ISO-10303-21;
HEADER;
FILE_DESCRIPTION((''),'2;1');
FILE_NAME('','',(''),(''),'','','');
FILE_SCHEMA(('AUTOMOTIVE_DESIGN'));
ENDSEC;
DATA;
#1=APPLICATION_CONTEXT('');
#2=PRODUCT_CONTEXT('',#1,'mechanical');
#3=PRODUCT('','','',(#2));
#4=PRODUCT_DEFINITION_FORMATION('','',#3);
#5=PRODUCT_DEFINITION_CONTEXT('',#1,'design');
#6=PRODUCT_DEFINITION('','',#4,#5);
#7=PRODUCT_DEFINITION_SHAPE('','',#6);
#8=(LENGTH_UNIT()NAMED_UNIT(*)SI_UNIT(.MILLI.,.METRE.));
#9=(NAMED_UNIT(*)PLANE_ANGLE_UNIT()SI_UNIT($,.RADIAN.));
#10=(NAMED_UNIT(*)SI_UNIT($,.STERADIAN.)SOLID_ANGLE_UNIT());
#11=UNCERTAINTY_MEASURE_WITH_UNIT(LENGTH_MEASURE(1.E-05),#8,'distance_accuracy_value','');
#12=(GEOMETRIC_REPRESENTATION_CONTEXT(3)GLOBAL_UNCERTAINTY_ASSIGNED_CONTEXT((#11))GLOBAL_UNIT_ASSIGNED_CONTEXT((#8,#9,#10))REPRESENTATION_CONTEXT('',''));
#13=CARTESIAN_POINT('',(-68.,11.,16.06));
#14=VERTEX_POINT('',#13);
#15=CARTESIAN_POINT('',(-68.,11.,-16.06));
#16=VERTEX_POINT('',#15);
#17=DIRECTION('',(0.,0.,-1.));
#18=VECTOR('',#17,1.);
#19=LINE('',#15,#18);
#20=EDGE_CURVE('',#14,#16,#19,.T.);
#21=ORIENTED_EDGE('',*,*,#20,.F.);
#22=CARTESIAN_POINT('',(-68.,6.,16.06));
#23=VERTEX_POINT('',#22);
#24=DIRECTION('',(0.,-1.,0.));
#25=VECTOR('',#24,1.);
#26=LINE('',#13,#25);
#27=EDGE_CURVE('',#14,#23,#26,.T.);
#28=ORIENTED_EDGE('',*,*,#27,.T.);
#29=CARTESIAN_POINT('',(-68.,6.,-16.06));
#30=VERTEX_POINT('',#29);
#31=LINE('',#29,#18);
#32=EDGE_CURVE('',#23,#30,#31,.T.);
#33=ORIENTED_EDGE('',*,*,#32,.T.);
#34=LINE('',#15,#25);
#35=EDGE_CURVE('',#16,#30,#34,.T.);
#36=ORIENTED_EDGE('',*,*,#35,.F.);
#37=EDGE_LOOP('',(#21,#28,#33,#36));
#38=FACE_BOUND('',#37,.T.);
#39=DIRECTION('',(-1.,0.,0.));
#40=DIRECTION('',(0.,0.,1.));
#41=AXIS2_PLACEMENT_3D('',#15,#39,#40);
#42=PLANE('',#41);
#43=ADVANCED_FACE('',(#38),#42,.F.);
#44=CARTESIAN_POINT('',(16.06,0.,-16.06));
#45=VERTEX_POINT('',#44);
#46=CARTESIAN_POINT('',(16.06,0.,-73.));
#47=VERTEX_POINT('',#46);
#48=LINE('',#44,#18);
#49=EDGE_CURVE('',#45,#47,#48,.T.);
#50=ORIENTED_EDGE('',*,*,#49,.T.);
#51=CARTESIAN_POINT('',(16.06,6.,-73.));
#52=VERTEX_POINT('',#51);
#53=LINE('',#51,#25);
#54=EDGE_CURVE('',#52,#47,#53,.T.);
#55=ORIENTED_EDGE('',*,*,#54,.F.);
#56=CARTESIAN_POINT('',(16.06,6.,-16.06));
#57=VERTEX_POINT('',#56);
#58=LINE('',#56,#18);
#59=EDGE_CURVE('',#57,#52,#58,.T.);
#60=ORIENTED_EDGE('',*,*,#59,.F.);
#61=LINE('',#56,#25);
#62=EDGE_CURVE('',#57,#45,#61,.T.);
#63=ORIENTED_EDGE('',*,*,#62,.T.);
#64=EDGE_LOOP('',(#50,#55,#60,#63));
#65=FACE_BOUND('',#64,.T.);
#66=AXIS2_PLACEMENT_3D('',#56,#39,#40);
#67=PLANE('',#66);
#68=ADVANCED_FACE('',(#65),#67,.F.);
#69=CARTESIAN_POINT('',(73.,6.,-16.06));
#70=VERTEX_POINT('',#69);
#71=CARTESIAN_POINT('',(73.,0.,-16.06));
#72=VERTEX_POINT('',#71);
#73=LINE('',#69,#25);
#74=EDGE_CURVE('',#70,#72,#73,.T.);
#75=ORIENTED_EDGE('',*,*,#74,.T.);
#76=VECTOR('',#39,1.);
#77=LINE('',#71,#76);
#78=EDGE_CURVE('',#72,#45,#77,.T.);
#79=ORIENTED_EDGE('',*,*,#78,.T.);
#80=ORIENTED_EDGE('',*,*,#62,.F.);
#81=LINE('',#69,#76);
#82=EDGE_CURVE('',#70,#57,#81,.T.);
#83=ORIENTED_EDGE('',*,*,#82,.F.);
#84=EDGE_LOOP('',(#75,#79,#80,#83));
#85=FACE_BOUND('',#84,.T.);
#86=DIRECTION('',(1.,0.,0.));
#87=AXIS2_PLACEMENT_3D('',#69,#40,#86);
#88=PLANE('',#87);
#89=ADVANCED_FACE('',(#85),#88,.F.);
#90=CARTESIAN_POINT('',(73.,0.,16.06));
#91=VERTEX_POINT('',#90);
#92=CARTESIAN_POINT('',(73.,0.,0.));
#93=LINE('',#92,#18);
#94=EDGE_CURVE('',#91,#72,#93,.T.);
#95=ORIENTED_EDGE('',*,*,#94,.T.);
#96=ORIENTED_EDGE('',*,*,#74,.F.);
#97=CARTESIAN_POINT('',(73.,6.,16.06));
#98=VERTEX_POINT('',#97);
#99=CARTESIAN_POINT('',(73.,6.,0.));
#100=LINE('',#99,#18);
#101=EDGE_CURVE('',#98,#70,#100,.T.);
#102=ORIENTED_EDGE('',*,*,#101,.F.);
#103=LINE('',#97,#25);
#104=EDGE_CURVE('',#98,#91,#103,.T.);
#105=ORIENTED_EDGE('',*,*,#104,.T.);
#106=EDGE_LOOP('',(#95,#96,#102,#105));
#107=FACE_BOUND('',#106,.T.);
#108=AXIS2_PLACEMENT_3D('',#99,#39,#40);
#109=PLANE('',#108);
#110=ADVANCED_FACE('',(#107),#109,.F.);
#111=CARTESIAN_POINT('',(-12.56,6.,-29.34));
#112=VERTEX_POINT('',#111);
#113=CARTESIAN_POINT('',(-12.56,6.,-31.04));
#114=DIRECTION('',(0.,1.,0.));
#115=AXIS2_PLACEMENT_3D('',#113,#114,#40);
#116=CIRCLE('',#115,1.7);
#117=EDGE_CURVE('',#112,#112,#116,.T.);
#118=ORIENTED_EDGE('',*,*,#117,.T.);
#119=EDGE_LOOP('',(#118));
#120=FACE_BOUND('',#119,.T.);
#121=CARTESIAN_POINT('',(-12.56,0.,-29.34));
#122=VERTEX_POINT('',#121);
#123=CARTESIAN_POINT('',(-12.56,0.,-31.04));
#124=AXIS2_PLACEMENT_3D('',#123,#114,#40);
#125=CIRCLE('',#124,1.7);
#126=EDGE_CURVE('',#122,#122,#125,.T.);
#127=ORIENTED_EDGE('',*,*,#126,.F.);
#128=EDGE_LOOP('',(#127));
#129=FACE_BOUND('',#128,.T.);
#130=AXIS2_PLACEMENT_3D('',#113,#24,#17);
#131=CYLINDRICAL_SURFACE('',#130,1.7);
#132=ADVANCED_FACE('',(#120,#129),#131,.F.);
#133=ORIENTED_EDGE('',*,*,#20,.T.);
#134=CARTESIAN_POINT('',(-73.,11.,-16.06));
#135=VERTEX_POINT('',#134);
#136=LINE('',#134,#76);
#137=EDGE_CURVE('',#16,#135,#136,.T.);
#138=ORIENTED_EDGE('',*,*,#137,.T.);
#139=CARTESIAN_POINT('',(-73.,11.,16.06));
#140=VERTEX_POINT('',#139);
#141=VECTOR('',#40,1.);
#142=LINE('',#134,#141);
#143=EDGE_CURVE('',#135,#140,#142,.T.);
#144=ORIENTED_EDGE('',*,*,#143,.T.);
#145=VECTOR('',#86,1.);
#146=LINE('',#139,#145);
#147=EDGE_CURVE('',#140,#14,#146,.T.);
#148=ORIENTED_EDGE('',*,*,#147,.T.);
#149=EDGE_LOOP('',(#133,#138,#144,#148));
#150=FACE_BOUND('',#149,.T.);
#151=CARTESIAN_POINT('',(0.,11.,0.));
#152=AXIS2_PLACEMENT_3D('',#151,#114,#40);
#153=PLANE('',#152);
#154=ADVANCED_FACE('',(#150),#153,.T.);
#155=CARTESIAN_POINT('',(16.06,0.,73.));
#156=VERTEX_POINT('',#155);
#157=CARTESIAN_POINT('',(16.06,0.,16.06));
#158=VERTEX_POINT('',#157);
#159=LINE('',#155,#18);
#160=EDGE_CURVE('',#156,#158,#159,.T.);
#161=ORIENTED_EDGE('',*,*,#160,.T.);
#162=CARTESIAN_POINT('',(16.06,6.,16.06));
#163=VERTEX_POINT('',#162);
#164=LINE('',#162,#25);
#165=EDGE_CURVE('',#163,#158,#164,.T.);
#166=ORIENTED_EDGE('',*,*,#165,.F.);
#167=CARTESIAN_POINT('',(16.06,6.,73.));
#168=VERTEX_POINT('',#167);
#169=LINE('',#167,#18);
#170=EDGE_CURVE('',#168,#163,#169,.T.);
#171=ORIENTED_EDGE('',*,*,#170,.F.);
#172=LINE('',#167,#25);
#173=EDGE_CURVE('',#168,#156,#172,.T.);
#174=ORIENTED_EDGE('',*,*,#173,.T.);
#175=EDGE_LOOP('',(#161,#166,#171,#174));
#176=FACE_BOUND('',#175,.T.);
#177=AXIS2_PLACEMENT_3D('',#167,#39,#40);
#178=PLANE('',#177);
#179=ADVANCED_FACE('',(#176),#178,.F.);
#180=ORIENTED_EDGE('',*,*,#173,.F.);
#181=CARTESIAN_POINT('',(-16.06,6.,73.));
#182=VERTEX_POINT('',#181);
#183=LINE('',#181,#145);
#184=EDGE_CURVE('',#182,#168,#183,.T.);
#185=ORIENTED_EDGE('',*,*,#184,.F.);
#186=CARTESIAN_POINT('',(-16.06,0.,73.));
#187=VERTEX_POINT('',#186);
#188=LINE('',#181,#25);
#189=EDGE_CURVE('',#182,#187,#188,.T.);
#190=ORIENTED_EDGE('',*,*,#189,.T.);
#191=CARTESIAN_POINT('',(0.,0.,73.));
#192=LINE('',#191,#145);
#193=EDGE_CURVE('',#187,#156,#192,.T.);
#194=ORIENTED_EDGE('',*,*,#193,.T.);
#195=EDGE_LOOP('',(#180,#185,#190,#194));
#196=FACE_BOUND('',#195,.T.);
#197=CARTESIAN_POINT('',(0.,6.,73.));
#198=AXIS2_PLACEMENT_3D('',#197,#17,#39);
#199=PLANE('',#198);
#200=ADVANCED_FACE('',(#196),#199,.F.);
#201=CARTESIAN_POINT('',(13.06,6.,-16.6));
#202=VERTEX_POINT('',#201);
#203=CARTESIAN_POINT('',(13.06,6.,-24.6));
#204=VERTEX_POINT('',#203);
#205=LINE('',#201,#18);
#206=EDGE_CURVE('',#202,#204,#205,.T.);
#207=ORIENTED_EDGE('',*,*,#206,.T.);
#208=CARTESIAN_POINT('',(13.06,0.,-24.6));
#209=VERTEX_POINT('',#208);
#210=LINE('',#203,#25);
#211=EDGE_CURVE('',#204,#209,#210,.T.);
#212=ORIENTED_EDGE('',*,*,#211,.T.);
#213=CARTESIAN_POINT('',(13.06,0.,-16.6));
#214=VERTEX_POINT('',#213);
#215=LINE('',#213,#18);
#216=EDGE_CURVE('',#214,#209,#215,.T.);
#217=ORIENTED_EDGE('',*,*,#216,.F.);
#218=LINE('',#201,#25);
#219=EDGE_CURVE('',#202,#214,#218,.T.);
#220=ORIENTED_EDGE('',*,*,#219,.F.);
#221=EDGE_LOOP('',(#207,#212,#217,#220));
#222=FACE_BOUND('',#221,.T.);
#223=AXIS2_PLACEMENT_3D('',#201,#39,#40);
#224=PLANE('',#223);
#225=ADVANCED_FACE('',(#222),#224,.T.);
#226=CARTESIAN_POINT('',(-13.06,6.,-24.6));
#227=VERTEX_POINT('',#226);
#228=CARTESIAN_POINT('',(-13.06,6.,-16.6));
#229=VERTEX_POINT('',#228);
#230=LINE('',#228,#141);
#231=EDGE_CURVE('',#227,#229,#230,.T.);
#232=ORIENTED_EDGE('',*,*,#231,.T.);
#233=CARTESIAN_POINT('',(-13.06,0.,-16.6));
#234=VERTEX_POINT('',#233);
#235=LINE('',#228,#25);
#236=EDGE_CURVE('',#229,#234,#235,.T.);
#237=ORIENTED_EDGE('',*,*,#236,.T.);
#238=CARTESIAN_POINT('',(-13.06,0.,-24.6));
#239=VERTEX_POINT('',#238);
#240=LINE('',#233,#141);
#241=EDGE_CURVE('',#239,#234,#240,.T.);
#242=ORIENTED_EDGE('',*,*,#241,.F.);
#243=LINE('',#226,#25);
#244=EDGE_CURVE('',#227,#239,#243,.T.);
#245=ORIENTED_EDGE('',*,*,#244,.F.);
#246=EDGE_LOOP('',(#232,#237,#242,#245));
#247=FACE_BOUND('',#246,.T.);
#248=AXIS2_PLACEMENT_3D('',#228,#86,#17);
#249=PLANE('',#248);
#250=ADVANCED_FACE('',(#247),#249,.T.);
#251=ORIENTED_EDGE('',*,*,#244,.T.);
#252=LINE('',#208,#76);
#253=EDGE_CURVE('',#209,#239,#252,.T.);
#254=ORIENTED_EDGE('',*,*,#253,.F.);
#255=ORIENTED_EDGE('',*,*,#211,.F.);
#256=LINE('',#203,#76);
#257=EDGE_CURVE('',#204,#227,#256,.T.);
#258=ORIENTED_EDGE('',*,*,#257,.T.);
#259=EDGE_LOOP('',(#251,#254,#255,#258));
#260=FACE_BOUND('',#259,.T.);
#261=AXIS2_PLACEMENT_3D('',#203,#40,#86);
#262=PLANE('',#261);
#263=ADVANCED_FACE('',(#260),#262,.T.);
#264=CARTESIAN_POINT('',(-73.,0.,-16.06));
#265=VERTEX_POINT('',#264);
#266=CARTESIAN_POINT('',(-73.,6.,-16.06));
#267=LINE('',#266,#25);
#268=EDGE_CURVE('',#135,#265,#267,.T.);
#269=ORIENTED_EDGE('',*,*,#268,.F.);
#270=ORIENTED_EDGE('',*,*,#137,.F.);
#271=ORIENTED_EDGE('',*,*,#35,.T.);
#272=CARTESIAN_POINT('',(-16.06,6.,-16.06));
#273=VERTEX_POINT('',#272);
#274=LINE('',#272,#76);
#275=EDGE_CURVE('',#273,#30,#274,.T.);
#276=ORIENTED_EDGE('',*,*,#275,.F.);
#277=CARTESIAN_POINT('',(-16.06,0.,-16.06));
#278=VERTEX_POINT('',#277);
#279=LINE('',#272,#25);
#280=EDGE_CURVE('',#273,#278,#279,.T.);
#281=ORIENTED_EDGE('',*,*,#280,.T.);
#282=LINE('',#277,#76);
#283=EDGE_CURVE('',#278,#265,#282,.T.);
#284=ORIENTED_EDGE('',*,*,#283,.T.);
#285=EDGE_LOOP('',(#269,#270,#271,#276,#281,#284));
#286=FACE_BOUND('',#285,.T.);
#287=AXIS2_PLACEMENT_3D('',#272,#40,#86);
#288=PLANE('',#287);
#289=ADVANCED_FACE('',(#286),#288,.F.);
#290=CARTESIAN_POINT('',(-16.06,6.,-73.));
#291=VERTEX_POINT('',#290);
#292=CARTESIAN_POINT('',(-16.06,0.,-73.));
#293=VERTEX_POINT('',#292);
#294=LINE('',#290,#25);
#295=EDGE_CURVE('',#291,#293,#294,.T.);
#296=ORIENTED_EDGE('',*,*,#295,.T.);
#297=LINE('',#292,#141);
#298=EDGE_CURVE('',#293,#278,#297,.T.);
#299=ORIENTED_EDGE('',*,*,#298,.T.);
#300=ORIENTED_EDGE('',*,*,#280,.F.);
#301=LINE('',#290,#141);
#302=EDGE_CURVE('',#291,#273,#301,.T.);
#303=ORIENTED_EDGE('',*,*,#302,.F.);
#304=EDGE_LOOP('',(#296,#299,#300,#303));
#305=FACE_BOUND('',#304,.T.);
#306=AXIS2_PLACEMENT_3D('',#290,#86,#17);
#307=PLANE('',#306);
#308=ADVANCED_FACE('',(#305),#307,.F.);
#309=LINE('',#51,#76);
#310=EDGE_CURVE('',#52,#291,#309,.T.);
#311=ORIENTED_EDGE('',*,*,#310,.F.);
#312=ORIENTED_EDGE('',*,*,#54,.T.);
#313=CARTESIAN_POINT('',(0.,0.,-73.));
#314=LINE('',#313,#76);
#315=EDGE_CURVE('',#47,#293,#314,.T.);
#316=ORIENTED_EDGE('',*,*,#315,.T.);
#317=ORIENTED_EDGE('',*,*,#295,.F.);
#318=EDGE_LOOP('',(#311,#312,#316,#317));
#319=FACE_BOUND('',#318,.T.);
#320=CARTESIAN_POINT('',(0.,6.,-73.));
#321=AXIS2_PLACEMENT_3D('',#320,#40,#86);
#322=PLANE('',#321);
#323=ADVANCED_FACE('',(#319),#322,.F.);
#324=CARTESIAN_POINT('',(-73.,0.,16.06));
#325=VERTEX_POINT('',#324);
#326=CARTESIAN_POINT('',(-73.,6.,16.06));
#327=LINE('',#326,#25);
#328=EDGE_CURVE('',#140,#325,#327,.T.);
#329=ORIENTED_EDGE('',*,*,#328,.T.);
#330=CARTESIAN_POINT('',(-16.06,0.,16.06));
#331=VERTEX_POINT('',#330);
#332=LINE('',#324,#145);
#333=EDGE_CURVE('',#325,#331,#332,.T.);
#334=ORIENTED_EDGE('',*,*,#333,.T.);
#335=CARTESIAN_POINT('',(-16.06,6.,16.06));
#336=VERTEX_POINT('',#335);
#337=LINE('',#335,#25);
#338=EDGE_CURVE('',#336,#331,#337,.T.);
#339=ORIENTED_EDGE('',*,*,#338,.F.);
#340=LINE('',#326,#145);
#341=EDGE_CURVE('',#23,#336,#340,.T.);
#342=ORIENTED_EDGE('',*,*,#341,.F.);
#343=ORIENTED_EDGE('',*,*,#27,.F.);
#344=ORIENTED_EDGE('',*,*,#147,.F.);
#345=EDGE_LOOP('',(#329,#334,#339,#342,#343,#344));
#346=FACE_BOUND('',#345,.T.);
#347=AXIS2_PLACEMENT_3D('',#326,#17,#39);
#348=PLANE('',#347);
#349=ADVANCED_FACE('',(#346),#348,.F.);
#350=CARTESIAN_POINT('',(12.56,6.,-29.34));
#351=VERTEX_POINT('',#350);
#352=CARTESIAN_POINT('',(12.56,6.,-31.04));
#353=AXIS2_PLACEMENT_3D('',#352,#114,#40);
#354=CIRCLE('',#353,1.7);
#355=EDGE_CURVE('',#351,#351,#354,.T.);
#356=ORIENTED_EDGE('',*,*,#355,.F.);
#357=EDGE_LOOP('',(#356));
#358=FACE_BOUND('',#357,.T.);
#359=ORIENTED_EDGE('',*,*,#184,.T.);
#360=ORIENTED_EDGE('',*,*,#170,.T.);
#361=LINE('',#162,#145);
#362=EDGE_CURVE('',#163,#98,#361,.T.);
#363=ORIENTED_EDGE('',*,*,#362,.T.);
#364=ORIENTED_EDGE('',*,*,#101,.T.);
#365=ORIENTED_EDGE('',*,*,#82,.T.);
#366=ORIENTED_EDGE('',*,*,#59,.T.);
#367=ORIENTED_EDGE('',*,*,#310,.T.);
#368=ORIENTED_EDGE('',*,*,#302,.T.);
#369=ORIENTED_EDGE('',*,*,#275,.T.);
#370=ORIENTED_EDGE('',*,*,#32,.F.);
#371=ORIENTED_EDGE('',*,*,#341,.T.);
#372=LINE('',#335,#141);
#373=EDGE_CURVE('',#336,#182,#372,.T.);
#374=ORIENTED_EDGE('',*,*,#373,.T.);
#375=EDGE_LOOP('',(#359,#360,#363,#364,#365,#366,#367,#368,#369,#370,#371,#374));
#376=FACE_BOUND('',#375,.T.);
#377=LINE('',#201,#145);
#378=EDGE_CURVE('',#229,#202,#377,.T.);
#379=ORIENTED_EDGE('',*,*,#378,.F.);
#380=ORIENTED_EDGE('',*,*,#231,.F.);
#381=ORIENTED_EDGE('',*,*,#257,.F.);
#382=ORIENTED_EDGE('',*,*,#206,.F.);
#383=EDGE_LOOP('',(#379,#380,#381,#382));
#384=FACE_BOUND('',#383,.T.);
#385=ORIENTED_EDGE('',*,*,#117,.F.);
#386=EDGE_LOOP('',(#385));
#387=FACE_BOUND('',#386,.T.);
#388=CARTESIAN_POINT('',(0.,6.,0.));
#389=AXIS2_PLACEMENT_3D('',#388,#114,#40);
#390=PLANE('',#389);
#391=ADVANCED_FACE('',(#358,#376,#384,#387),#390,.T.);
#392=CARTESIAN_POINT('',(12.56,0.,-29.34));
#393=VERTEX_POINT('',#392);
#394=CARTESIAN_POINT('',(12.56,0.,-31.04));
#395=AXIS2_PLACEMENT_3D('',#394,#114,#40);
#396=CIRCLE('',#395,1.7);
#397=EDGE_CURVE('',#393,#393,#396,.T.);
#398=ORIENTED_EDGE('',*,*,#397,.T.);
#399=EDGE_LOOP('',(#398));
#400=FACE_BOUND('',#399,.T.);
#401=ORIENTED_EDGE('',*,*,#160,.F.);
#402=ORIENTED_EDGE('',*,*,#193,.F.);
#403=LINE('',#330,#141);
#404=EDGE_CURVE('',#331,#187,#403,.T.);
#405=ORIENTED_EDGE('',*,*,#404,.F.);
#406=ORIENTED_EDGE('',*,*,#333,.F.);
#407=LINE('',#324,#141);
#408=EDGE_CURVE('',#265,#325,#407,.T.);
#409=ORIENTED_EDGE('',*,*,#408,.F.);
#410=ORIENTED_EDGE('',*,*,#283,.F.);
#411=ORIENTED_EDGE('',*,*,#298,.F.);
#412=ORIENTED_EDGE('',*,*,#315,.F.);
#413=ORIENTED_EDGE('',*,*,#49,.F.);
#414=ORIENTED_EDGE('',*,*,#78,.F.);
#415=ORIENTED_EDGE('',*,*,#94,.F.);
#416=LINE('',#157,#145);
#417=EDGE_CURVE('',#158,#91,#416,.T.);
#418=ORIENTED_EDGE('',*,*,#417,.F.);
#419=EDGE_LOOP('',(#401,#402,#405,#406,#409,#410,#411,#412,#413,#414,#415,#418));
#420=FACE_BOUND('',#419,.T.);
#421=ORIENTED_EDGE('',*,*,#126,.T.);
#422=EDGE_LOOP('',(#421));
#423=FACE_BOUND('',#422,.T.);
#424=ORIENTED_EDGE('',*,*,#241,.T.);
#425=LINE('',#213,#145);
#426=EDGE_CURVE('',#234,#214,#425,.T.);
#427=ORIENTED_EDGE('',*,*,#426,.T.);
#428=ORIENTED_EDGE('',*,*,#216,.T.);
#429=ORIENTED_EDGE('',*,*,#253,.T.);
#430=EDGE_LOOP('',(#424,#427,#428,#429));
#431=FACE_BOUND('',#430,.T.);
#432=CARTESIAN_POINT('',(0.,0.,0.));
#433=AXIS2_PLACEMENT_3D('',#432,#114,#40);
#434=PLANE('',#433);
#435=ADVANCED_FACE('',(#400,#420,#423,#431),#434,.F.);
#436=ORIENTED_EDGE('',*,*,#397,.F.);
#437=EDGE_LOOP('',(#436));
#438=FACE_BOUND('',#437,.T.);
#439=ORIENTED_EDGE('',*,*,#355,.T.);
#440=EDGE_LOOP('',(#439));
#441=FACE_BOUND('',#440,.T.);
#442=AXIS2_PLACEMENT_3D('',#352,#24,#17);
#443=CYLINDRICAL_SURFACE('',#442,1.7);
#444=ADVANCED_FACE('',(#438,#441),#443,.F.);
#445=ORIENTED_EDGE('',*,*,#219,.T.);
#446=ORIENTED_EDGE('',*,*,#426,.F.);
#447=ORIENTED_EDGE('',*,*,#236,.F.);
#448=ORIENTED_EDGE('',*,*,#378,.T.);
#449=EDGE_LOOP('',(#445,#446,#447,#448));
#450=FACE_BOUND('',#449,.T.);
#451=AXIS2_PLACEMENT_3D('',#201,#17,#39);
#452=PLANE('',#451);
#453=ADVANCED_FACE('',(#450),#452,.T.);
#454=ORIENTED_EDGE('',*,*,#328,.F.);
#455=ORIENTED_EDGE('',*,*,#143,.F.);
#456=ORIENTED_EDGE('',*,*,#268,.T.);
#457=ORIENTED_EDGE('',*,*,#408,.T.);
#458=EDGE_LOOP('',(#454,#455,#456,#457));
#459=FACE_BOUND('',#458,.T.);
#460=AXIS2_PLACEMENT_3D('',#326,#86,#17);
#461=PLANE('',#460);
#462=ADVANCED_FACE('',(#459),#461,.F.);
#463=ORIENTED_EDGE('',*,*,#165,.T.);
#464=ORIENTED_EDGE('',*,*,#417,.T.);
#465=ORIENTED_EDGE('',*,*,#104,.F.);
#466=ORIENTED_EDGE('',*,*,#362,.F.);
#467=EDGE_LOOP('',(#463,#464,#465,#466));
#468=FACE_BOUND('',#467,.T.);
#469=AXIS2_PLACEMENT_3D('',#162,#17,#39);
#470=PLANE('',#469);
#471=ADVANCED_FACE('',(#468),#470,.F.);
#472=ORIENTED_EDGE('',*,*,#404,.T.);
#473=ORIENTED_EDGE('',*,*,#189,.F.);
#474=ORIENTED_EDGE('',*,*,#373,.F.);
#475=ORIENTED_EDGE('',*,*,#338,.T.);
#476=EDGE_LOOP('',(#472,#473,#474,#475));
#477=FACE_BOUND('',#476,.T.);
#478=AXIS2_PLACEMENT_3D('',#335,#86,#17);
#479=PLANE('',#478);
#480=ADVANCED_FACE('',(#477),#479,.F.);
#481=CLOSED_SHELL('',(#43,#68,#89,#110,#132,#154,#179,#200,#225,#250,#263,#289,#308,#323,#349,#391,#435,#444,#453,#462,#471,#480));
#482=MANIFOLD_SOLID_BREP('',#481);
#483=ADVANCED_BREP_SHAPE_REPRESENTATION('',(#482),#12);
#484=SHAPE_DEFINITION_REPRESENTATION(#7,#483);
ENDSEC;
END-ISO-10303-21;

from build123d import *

# Parameters (mm, degrees)
SKETCH21_R           = 1.7
SKETCH21_W           = 26.12
SKETCH21_H           = 8
BOSS_EXTRUDE18_DEPTH = 6
SKETCH22_W           = 5
SKETCH22_H           = 32.12
BOSS_EXTRUDE19_DEPTH = 5


with BuildPart() as part:
    # Sketch21 → Boss-Extrude18 (new body)
    with BuildSketch(Plane(origin=(0, 0, 0), x_dir=(1, 0, 0), z_dir=(0, 1, 0))):
        Polygon((0, 73), (-16.06, 73), (-16.06, 16.06), (-73, 16.06), (-73, 0), (-73, -16.06), (-16.06, -16.06), (-16.06, -73), (0, -73), (16.06, -73), (16.06, -16.06), (73, -16.06), (73, 0), (73, 16.06), (16.06, 16.06), (16.06, 73), align=None)
        with Locations(Location((-12.56, 31.04, 0), (0, 0, 270))):
            Circle(SKETCH21_R, mode=Mode.SUBTRACT)
        with Locations(Location((12.56, 31.04, 0), (0, 0, 270))):
            Circle(SKETCH21_R, mode=Mode.SUBTRACT)
        with Locations((0, 20.6)):
            Rectangle(SKETCH21_W, SKETCH21_H, mode=Mode.SUBTRACT)
    extrude(amount=BOSS_EXTRUDE18_DEPTH)

    # Sketch22 → Boss-Extrude19 (add)
    with BuildSketch(Plane(origin=(0, 6, 0), x_dir=(1, 0, 0), z_dir=(0, 1, 0))):
        with Locations((-70.5, 0)):
            Rectangle(SKETCH22_W, SKETCH22_H)
    extrude(amount=BOSS_EXTRUDE19_DEPTH)


solid = part.part
